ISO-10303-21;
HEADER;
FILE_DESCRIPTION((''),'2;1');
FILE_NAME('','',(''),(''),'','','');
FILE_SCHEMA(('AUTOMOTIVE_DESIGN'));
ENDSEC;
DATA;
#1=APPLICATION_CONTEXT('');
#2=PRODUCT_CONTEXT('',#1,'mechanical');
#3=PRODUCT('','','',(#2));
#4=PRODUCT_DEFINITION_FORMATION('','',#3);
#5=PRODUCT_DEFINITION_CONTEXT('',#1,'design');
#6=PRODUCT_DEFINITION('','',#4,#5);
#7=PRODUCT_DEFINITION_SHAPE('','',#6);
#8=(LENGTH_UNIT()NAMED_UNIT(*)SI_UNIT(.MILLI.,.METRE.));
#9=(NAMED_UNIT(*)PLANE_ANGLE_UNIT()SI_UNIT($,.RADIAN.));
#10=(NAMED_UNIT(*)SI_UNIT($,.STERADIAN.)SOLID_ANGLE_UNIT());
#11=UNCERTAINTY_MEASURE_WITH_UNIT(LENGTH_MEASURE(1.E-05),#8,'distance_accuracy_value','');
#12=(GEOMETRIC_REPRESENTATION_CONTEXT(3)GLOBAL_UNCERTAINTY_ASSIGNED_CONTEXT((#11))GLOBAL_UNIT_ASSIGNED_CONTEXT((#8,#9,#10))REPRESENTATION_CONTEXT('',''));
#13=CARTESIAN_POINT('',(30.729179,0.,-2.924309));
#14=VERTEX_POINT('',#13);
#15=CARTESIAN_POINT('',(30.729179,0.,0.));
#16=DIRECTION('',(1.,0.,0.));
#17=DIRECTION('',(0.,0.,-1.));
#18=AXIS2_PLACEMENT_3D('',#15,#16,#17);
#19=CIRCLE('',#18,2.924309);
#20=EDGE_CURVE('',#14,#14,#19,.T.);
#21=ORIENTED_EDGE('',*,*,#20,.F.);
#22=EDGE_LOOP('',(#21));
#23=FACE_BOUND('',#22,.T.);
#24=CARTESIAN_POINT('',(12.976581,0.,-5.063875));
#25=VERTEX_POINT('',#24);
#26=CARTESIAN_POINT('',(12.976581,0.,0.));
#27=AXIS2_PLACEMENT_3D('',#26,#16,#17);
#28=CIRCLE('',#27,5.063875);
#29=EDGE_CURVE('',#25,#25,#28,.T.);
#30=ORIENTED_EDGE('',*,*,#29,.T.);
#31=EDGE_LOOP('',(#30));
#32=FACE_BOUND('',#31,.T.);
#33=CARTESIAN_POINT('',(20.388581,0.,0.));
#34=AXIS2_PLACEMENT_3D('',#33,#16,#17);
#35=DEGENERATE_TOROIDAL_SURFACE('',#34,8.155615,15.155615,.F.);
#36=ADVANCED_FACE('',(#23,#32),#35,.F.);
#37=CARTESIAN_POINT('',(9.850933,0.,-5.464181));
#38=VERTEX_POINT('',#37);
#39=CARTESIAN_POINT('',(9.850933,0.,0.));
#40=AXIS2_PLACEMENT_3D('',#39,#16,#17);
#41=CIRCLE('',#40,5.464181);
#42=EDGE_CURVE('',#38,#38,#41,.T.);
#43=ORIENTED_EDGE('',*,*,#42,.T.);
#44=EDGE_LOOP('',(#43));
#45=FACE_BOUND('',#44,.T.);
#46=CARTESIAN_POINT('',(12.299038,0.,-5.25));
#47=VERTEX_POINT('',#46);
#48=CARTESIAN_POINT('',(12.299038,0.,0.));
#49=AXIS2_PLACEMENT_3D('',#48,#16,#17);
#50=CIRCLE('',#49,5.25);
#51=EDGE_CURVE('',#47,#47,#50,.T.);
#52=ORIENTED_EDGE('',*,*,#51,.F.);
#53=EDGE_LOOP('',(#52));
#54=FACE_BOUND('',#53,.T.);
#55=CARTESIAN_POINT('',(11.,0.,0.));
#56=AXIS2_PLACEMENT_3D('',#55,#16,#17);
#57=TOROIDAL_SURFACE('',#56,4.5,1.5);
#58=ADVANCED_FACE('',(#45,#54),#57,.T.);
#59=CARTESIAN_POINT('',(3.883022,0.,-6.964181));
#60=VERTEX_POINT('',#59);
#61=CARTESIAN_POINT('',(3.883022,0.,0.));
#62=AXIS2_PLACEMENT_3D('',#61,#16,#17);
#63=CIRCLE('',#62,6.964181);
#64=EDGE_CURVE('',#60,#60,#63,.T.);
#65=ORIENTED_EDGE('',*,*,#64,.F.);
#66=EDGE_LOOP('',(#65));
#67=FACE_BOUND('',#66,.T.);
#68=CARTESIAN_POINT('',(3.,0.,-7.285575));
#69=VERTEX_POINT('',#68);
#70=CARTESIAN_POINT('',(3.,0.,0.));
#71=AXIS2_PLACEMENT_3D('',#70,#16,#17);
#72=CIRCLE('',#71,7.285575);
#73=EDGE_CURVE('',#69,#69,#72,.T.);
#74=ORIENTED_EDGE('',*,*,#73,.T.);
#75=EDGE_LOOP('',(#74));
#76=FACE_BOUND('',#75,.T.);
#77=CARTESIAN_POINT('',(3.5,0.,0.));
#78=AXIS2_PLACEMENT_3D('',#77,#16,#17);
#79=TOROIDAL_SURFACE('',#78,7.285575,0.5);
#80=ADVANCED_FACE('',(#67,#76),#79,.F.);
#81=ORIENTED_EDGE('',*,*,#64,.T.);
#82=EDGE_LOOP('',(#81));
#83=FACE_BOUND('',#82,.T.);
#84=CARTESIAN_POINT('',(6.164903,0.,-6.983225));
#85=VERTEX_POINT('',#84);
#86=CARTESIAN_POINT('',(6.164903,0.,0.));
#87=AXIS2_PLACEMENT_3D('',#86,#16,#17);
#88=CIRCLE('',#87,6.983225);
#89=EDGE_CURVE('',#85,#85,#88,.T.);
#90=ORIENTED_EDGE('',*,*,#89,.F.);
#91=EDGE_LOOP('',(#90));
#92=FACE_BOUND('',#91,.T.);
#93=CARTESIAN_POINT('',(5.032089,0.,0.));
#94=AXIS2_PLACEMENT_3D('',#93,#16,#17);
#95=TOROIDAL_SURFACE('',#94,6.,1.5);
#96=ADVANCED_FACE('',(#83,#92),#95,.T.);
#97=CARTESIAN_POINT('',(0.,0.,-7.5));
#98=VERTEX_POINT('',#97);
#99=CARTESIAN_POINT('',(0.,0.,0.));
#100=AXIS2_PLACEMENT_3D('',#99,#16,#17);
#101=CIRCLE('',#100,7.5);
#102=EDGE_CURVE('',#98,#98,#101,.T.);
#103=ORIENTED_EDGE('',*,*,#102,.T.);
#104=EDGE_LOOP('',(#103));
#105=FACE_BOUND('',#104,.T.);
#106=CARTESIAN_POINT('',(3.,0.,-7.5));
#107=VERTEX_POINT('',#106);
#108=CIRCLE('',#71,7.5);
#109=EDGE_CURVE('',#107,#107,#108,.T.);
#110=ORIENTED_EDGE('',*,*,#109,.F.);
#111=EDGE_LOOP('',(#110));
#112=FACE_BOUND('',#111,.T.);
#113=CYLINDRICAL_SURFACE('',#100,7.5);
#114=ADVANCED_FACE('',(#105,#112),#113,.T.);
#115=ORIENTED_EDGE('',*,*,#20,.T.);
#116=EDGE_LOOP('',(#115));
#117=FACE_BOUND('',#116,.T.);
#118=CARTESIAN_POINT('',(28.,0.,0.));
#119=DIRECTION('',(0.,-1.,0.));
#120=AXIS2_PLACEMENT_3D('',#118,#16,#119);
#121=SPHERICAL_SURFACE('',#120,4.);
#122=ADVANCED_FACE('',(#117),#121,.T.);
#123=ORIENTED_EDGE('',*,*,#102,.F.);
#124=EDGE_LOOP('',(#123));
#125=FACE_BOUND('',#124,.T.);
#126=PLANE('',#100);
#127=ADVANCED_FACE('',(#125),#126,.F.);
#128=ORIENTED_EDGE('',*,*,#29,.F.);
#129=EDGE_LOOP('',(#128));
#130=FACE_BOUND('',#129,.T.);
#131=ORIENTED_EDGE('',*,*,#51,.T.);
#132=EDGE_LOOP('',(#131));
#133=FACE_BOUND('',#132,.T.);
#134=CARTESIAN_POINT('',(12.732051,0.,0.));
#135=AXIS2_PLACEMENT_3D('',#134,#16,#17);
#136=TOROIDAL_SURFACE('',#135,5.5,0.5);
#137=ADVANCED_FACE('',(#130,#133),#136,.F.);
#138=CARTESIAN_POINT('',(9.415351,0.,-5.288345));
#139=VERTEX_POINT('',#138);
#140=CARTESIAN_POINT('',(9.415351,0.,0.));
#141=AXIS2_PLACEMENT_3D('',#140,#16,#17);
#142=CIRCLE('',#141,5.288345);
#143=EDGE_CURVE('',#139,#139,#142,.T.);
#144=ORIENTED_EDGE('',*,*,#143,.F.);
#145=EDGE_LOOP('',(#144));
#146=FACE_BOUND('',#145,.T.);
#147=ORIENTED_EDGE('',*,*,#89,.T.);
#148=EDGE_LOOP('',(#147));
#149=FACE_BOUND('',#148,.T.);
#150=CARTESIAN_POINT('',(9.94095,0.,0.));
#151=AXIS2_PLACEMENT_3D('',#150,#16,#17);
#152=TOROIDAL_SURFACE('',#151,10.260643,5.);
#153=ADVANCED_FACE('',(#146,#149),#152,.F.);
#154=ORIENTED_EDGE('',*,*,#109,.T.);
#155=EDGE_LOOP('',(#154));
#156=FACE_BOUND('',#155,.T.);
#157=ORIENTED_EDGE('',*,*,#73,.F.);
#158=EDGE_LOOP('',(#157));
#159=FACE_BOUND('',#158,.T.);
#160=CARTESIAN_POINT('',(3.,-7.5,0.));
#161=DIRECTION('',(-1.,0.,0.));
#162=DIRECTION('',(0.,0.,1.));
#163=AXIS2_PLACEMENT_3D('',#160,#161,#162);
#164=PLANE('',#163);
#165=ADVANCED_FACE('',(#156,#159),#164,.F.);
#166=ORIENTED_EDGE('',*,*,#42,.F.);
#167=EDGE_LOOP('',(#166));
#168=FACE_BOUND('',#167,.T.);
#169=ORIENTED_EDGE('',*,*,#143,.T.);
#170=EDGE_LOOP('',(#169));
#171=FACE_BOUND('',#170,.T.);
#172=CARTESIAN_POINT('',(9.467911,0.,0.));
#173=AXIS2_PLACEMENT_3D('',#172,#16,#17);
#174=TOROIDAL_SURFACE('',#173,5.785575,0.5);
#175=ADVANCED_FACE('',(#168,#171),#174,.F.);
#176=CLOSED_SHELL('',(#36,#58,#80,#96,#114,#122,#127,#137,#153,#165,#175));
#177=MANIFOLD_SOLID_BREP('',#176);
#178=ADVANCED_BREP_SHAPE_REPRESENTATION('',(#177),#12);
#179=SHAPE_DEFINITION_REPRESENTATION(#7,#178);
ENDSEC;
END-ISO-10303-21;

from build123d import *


with BuildPart() as part:
    # Sketch1 → Revolve1 (revolve)
    with BuildSketch(Plane.XY):
        with BuildLine():
            Line((0, 0), (0, -7.5))
            Line((0, -7.5), (3, -7.5))
            Line((3, -7.5), (3, -7.285575219))
            ThreePointArc((3, -7.285575219), (3.328989928, -6.815728909), (3.883022222, -6.964181415))
            ThreePointArc((3.883022222, -6.964181415), (5.019570731, -7.499947764), (6.164903024, -6.98322537))
            ThreePointArc((6.164903024, -6.98322537), (7.629198824, -5.827156404), (9.415351221, -5.288345436))
            ThreePointArc((9.415351221, -5.288345436), (9.655076577, -5.321927627), (9.850933335, -5.464181415))
            ThreePointArc((9.850933335, -5.464181415), (11.130733614, -5.994292047), (12.299038106, -5.25))
            ThreePointArc((12.299038106, -5.25), (12.599604254, -5.017861109), (12.97658066, -5.063874845))
            ThreePointArc((12.97658066, -5.063874845), (22.202032886, -6.891114213), (30.729179265, -2.924308558))
            ThreePointArc((30.729179265, -2.924308558), (31.668563551, -1.594252637), (32, 0))
            Line((32, 0), (0, 0))
        make_face()
    revolve(axis=Axis((0, 0, 0), (-1, 0, 0)))


solid = part.part
